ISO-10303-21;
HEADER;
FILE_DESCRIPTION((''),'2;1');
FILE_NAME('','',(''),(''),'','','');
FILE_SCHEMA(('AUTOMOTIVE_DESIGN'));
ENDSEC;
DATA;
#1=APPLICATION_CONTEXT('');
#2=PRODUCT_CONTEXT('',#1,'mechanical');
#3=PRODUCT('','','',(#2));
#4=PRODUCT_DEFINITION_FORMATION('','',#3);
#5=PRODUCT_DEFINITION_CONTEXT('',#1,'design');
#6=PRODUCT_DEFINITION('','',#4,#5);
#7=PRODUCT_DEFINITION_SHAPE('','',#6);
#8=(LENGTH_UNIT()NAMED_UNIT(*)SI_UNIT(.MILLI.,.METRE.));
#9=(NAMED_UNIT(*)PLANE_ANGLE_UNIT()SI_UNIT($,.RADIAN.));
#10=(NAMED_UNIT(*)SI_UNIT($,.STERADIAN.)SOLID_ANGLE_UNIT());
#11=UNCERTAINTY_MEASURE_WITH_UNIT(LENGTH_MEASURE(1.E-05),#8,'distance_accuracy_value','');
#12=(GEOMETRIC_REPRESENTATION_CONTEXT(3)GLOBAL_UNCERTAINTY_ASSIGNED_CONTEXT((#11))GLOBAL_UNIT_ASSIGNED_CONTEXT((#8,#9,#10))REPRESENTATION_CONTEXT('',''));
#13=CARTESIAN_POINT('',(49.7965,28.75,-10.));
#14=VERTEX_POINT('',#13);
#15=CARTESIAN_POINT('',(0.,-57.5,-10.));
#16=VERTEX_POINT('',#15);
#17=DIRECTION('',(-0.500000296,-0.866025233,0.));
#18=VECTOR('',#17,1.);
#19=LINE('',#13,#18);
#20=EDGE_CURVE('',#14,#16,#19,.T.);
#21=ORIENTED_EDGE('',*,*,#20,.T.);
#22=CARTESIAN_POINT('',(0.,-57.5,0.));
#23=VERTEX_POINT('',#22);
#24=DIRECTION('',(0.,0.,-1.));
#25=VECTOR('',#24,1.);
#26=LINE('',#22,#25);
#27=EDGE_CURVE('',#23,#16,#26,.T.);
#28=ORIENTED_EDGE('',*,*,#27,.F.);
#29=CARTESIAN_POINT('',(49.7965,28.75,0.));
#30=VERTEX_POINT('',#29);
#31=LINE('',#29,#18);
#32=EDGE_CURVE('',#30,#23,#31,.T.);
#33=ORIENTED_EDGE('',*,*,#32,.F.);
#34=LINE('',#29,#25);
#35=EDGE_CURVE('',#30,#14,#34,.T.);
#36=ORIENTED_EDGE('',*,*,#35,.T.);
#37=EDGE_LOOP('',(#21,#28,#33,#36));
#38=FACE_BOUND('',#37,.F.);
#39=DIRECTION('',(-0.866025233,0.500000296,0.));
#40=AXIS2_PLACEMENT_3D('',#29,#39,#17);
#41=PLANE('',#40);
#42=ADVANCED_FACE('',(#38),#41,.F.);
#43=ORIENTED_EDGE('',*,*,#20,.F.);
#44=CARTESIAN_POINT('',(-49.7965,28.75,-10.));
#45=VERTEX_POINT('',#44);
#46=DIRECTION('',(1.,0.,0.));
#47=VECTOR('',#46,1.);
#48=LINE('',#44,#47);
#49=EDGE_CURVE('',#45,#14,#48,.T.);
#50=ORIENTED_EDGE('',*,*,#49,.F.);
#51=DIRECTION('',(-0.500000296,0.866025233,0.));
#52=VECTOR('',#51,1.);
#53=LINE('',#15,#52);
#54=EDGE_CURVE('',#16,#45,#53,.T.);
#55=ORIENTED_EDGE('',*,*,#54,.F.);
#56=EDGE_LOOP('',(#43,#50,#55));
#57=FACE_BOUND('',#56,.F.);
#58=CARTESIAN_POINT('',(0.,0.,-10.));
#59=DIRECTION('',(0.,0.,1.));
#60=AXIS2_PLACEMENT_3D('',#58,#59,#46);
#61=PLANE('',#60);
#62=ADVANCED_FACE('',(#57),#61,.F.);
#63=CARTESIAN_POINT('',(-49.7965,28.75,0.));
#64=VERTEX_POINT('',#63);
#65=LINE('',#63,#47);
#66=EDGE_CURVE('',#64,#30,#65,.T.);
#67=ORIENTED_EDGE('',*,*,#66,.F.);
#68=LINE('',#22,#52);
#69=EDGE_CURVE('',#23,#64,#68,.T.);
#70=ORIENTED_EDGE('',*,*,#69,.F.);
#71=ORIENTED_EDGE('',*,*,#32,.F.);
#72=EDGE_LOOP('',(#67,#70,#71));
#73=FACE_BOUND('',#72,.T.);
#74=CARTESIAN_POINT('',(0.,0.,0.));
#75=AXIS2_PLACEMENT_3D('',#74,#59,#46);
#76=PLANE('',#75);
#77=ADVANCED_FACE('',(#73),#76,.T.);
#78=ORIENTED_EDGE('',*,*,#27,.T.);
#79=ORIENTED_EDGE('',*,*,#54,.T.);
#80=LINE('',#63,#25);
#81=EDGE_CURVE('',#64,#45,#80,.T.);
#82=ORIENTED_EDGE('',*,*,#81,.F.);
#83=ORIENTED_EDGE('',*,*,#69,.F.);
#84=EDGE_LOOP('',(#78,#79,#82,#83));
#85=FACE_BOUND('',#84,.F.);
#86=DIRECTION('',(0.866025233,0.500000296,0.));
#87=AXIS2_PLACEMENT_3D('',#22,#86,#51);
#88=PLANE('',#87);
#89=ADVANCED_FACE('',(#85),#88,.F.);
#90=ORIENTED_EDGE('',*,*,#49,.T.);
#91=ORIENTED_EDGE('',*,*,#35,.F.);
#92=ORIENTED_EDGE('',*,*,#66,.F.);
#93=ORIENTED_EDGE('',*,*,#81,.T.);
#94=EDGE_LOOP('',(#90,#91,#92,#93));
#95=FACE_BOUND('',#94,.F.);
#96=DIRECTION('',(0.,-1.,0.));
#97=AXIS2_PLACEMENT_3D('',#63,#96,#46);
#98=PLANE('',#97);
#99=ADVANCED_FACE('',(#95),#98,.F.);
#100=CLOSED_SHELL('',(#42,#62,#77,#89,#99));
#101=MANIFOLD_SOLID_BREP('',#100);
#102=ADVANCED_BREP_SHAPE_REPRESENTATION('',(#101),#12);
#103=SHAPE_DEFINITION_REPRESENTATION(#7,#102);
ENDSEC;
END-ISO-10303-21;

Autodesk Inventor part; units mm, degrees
ref_plane "YZ Plane" through (0, 0, 0) normal (1, 0, 0) x (0, 1, 0)
ref_plane "XZ Plane" through (0, 0, 0) normal (0, 1, 0) x (-1, 0, 0)
ref_plane "XY Plane" through (0, 0, 0) normal (0, 0, 1) x (1, 0, 0)
sketch "Skizze1" plane through (0, 0, 0) normal (0, 0, 1) x (1, 0, 0)
  line L0 (0, 80.5) -> (0, -80.5) construction
  line L1 (-80.5, 0) -> (80.5, 0) construction
  line L2 (0, -57.5) -> (-49.7965, 28.75)
  line L3 (-49.7965, 28.75) -> (49.7965, 28.75)
  line L4 (49.7965, 28.75) -> (0, -57.5)
  circle A0 centre (0, 0) radius 57.5 construction
  dimension "d3" = 115
extrude "Extrusion1" add sketch "Skizze1" against normal blind 10
